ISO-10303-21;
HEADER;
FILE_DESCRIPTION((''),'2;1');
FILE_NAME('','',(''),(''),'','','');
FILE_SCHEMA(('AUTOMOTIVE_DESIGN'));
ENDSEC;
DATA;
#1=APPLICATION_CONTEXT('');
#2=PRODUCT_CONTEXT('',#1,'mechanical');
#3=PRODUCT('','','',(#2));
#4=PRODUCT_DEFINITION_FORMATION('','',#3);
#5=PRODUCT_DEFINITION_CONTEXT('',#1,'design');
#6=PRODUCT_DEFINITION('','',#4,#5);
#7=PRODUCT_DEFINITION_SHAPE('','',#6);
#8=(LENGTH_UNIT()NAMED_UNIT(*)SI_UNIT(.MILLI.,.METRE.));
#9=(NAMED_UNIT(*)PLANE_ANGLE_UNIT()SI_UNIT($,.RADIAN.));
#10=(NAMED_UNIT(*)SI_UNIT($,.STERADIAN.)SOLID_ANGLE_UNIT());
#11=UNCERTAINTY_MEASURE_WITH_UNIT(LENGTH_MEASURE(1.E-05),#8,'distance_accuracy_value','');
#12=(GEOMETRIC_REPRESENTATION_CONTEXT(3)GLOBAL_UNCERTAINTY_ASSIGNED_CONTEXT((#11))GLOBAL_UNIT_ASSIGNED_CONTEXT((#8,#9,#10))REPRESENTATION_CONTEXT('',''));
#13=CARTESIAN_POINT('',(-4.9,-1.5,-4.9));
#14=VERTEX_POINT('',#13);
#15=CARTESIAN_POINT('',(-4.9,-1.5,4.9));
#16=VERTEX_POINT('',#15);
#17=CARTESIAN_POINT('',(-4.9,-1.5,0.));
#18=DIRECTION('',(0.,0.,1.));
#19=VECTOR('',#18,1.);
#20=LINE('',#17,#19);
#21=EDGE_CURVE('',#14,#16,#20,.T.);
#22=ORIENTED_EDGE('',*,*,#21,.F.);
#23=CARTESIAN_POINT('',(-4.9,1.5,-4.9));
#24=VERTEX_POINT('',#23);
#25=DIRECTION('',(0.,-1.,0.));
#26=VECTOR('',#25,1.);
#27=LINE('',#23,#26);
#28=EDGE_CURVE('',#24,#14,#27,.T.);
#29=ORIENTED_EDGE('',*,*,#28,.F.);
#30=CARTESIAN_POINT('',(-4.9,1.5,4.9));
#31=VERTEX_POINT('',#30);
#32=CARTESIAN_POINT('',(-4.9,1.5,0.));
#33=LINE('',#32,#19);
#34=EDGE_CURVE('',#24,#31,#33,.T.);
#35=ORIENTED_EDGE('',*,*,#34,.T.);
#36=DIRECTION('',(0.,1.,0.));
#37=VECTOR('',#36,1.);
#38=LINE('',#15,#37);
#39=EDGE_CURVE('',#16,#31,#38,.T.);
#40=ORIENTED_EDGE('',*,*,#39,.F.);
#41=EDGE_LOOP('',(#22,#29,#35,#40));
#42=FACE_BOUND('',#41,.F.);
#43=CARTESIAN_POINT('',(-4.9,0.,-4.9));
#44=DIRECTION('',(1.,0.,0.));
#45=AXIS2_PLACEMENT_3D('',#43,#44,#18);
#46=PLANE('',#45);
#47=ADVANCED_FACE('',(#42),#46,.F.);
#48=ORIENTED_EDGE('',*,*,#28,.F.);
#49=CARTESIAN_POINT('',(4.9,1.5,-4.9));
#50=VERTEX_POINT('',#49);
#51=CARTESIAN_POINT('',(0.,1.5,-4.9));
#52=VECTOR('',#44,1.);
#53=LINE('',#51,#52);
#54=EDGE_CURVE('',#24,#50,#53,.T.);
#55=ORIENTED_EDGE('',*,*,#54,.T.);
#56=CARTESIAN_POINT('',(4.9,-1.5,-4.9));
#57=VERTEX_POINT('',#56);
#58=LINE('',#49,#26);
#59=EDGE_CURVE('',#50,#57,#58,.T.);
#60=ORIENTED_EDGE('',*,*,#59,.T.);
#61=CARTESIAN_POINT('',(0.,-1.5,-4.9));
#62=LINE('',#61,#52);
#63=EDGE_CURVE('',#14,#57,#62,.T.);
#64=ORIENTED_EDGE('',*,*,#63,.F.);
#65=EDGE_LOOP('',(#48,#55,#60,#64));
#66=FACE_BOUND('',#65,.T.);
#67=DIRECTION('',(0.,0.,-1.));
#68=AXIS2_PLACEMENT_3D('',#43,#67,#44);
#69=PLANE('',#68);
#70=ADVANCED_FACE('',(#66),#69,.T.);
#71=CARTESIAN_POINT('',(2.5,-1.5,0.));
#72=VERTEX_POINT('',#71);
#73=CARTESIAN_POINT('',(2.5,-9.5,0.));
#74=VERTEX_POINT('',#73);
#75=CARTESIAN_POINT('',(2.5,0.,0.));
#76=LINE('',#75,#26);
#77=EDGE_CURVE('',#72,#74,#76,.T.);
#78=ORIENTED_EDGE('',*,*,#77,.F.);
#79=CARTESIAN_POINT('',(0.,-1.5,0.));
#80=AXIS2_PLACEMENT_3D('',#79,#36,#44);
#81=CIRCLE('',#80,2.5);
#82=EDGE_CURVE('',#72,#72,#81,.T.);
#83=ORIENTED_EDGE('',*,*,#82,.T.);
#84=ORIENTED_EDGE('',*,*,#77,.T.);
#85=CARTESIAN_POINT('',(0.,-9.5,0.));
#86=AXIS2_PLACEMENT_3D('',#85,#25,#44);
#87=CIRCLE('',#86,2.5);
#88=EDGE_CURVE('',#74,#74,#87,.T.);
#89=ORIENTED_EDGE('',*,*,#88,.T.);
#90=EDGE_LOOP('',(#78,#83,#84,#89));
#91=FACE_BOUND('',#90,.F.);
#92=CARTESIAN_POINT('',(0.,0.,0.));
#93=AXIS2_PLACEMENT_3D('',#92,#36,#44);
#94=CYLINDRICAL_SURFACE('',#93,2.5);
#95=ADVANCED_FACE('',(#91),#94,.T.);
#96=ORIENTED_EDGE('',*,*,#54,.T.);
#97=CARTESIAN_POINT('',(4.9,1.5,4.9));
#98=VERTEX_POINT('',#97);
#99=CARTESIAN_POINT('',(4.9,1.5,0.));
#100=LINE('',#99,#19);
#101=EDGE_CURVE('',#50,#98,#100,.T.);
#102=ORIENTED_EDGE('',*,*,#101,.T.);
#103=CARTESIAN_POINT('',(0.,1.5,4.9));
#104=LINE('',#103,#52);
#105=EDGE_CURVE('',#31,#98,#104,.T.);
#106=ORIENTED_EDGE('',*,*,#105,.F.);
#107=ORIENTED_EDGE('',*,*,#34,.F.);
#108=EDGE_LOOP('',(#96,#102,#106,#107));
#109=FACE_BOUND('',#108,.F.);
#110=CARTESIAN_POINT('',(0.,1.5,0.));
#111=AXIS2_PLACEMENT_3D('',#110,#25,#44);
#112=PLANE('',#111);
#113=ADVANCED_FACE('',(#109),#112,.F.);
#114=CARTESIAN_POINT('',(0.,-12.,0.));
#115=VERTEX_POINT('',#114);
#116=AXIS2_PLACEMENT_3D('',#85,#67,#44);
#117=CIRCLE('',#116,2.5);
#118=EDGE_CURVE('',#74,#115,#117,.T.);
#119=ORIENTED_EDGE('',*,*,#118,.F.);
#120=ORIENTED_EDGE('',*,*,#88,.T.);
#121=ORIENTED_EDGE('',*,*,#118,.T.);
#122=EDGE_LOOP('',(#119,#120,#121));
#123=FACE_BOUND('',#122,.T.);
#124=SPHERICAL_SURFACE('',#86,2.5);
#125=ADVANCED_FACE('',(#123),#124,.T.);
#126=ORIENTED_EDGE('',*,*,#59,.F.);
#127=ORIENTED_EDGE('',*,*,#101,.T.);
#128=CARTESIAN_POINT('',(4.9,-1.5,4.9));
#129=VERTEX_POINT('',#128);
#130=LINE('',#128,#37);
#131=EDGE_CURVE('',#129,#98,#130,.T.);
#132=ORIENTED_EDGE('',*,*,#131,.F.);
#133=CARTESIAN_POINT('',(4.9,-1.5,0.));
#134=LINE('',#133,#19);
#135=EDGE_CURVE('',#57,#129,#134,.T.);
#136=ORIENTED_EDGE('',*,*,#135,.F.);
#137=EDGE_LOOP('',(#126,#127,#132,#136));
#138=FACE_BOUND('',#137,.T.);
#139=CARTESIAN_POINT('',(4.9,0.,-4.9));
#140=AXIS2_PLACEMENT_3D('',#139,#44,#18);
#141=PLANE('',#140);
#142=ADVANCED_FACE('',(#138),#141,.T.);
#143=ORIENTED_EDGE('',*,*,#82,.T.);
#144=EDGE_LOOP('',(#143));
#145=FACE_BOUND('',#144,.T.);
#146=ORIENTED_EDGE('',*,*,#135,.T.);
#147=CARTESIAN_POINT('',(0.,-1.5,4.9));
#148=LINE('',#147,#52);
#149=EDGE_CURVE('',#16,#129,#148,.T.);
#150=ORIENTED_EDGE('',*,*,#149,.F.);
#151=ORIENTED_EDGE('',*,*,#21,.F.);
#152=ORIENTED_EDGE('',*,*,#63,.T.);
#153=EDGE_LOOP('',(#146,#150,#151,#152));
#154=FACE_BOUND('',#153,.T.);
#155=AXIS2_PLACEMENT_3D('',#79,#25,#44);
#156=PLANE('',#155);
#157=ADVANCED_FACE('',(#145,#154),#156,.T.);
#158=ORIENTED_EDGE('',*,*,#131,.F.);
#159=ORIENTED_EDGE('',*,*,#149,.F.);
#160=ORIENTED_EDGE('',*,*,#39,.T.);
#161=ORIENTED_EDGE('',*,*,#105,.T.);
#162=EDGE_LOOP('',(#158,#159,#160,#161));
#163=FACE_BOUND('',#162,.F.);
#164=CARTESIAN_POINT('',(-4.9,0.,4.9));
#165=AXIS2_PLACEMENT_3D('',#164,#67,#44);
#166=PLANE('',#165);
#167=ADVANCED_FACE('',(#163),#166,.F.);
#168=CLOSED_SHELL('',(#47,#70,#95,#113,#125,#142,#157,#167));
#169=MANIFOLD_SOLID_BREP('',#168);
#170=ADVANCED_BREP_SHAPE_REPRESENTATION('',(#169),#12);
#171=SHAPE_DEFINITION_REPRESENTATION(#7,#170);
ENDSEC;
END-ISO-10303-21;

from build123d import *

# Parameters (mm, degrees)
F0_W     = 9.8
F0_H     = 9.8
F0_R     = 2.5
F1_DEPTH = 1.5
F2_DEPTH = 12
F3_R     = 2.5


with BuildPart() as f1:
    # F0 (on Front) → F1 (new body, symmetric)
    with BuildSketch(Plane.XZ):
        Rectangle(F0_W, F0_H)
        Circle(F0_R, mode=Mode.SUBTRACT)
        Circle(F0_R)
    extrude(amount=F1_DEPTH, both=True)

    # F0 (on Front) → F2 (join)
    with BuildSketch(Plane.XZ):
        Circle(F0_R)
    extrude(amount=F2_DEPTH)

    # F3
    f3_edges = [f1.edges().sort_by_distance(p)[0] for p in [
        (-2.5, -12, 0),
    ]]
    fillet(f3_edges, radius=F3_R)


solid = f1.part
